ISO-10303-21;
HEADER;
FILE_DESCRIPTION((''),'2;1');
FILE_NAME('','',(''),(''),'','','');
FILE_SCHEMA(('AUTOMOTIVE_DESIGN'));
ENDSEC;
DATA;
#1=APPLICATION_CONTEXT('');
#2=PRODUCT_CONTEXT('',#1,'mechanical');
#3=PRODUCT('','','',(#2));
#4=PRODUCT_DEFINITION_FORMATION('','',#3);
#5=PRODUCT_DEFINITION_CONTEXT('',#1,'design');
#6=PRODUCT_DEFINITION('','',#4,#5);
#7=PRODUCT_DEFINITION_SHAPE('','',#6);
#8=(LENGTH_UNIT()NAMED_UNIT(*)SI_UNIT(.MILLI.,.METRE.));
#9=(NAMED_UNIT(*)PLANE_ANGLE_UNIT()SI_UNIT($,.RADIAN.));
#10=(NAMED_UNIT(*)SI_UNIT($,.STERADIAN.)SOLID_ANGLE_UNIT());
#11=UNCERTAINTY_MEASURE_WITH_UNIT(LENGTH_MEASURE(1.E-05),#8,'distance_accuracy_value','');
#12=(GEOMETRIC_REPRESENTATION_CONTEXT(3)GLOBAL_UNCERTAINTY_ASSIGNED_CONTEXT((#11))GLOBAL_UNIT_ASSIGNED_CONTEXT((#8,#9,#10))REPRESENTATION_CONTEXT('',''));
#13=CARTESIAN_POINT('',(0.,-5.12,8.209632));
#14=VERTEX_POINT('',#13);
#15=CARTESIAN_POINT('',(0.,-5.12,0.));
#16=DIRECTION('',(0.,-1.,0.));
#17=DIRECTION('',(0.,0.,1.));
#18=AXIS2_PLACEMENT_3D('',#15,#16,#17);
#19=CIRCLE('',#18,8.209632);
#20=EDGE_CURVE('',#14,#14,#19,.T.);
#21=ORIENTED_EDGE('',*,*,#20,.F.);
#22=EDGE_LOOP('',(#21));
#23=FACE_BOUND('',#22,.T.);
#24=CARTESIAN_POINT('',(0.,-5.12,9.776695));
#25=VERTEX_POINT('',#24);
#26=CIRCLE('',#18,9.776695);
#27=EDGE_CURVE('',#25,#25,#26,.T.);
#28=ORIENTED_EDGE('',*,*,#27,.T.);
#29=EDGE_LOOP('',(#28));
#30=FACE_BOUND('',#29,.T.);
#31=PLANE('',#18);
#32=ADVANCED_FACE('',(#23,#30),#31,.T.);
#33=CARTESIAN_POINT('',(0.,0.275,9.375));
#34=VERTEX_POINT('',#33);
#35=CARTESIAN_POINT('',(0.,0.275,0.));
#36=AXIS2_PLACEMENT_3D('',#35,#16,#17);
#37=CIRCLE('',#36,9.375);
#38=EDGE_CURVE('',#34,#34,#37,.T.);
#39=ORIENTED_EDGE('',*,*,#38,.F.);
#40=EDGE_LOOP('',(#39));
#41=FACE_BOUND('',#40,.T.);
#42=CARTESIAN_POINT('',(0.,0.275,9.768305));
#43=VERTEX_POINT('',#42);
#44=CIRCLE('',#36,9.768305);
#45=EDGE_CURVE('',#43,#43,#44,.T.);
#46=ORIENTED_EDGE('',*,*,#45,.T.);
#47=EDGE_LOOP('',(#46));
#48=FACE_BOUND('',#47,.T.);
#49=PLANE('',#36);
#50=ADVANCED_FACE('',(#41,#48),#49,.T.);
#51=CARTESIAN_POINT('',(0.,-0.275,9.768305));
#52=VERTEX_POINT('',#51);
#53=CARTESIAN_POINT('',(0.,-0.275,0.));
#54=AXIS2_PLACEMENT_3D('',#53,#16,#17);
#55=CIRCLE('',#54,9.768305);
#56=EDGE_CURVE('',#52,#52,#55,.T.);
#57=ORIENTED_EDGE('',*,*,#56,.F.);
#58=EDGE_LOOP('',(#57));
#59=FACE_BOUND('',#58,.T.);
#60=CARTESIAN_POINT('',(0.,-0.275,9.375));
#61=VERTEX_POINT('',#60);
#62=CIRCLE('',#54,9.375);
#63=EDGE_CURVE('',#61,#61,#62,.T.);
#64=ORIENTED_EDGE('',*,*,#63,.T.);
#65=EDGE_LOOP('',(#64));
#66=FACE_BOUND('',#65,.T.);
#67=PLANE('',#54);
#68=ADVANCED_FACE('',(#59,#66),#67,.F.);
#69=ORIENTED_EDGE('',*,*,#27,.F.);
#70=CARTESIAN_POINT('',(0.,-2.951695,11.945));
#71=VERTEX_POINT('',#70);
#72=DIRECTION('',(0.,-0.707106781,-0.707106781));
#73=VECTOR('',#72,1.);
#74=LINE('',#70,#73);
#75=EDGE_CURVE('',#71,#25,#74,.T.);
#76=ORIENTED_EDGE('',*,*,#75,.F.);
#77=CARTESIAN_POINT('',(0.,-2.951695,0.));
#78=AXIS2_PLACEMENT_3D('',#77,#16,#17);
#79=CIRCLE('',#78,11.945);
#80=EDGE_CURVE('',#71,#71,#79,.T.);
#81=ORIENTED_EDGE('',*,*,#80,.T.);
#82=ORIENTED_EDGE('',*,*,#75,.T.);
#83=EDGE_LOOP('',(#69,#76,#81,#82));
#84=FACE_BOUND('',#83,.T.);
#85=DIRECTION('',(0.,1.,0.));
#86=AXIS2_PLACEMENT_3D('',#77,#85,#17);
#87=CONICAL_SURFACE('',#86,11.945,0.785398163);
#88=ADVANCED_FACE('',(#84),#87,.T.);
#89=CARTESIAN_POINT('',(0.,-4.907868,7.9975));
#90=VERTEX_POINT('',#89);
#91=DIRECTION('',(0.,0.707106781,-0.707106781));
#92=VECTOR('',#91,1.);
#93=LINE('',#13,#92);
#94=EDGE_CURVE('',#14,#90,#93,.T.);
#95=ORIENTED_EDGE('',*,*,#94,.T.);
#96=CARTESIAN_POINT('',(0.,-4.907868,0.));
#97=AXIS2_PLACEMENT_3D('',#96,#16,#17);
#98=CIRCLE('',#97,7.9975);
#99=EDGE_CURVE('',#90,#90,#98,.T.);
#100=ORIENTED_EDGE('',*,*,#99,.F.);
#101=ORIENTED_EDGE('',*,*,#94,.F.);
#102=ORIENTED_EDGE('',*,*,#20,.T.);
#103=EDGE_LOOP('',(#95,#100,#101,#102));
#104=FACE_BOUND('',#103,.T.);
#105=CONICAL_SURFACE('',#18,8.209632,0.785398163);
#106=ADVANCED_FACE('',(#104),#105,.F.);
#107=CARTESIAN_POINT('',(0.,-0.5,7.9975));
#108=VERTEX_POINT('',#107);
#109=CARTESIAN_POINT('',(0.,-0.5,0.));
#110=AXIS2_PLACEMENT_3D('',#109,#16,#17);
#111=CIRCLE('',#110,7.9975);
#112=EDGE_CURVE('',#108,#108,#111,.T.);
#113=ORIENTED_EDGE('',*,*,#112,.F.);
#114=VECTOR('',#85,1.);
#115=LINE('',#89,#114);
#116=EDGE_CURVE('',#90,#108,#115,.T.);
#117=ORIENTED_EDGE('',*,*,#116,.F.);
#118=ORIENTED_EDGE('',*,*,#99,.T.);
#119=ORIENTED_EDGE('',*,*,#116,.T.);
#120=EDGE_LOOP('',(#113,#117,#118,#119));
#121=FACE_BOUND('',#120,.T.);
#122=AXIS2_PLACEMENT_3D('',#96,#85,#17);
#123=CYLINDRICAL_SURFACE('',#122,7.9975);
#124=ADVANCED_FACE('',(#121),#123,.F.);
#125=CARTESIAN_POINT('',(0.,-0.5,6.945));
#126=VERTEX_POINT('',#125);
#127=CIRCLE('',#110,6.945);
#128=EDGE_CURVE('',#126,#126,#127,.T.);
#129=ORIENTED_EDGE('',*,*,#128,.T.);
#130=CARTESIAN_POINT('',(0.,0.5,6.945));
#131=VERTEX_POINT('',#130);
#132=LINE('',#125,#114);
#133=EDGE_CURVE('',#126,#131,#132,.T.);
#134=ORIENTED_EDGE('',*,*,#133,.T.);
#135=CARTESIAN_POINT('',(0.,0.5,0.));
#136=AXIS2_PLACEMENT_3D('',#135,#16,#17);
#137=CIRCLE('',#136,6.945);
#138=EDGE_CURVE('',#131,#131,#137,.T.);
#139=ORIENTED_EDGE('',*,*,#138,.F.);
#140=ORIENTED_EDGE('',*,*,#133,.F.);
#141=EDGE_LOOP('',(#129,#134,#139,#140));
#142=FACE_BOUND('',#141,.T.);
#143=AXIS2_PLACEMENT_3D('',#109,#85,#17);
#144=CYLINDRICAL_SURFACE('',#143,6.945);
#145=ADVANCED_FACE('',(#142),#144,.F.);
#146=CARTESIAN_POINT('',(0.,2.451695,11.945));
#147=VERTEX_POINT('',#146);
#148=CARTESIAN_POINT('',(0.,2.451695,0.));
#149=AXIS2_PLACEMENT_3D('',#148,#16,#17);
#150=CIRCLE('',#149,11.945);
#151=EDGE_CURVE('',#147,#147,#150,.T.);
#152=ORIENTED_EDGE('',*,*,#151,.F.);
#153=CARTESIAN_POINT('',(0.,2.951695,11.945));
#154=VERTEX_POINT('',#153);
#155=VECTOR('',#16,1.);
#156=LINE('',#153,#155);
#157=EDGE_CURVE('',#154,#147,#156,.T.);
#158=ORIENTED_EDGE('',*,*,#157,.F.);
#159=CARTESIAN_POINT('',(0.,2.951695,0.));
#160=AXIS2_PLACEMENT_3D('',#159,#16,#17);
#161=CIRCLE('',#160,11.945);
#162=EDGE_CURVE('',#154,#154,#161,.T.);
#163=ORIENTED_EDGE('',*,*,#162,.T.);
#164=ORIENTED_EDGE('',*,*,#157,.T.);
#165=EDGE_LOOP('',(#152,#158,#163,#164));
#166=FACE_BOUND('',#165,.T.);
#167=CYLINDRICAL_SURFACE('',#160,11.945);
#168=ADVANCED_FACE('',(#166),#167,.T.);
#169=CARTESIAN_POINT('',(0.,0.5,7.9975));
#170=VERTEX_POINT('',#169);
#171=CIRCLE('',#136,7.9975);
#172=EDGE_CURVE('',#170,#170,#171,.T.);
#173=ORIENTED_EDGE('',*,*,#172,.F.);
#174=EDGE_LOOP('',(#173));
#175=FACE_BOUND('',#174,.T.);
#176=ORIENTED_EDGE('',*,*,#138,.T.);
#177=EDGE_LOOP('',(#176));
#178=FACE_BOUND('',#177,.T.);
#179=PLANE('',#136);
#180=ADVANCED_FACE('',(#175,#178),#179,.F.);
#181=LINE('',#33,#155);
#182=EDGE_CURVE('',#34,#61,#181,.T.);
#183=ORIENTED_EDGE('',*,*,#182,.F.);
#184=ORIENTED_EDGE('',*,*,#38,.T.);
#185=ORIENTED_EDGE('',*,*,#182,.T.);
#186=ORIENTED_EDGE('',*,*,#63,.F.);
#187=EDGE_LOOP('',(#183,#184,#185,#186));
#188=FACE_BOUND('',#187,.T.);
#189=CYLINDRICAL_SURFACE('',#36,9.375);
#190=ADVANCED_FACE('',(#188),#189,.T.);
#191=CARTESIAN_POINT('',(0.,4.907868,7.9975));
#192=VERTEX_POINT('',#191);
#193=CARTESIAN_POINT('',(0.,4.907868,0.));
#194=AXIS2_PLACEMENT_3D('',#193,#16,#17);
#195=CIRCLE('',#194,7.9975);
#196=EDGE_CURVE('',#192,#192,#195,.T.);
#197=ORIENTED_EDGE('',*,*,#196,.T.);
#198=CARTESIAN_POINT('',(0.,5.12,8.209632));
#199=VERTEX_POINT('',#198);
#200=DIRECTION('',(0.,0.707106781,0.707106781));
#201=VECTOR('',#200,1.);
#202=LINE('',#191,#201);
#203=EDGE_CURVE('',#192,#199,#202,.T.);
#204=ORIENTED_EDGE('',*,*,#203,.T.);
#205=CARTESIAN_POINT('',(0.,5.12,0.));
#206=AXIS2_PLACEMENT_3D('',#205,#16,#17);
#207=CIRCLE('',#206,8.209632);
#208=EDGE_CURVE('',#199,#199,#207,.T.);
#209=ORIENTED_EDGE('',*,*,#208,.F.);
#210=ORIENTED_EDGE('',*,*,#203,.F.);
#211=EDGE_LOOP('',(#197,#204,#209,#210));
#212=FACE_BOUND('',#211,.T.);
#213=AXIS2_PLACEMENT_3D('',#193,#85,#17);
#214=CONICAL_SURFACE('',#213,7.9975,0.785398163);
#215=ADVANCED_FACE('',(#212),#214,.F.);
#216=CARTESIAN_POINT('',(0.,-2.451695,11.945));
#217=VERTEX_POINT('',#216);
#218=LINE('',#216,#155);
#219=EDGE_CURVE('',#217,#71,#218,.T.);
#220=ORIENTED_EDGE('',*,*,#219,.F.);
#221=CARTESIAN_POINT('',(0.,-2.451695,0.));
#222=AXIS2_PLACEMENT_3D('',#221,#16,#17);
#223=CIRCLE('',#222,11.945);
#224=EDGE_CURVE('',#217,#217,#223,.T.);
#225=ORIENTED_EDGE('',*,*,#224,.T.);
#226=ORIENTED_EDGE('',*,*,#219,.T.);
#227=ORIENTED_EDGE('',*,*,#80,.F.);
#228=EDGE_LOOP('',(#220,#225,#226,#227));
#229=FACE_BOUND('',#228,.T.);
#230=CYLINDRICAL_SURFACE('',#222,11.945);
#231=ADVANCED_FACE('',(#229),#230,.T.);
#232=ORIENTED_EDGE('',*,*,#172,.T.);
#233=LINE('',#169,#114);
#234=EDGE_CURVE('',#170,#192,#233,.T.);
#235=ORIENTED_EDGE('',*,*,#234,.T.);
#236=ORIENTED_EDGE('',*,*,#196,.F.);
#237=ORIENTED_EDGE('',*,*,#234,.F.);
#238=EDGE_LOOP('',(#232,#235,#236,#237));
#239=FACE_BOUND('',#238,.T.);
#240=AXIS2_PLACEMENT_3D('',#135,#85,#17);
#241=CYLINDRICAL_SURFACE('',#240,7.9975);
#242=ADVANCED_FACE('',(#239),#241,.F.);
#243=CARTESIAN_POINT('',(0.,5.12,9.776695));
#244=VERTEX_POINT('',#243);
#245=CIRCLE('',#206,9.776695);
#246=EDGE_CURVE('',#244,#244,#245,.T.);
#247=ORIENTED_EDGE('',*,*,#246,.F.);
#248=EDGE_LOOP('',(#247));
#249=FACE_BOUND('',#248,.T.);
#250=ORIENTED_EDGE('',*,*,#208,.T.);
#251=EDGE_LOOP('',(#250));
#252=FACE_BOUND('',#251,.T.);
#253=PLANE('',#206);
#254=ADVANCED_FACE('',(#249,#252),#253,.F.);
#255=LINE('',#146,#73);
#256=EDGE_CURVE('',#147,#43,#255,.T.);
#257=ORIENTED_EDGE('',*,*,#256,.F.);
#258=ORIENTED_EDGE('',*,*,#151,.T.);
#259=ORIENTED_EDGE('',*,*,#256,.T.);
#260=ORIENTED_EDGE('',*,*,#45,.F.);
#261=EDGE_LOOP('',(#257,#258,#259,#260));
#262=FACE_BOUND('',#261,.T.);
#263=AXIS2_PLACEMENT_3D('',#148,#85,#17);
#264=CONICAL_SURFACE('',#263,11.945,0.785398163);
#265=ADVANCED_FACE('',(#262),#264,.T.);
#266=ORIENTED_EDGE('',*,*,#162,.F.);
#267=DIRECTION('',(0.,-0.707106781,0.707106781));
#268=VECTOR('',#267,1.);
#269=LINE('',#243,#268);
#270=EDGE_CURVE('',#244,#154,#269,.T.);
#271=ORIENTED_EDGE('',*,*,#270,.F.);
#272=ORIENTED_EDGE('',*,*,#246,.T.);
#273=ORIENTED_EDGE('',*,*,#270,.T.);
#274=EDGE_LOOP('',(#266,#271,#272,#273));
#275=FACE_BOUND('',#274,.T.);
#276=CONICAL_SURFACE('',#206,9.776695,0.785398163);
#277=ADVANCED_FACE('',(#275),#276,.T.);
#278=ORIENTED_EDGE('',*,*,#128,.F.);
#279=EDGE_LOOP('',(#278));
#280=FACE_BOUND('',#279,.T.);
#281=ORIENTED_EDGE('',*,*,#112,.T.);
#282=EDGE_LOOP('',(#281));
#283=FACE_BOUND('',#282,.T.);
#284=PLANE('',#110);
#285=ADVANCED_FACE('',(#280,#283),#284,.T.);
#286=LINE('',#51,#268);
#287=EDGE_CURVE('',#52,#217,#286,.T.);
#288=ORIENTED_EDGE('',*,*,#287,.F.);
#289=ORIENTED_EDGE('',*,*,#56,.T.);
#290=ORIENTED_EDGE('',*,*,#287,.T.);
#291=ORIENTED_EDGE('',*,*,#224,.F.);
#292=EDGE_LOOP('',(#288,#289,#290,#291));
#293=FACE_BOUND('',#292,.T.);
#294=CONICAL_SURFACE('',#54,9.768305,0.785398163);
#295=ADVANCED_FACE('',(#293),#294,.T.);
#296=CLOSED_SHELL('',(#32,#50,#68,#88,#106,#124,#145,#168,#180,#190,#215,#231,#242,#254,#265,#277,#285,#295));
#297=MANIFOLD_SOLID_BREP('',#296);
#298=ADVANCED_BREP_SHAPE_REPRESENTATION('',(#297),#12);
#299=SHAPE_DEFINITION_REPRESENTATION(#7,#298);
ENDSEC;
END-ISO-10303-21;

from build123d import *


with BuildPart() as f1:
    # F0 (on Right) → F1 (revolve)
    with BuildSketch(Plane.YZ):
        Polygon((-0.5, 7.9975), (-0.5, 6.945), (0.5, 6.945), (0.5, 7.9975), (4.907868, 7.9975), (5.12, 8.209632), (5.12, 9.776695), (2.951695, 11.945), (2.451695, 11.945), (0.275, 9.768305), (0.275, 9.375), (0, 9.375), (-0.275, 9.375), (-0.275, 9.768305), (-2.451695, 11.945), (-2.951695, 11.945), (-5.12, 9.776695), (-5.12, 8.209632), (-4.907868, 7.9975), align=None)
    revolve(axis=Axis((0, 0.255655, 0), (0, -1, 0)))


solid = f1.part
